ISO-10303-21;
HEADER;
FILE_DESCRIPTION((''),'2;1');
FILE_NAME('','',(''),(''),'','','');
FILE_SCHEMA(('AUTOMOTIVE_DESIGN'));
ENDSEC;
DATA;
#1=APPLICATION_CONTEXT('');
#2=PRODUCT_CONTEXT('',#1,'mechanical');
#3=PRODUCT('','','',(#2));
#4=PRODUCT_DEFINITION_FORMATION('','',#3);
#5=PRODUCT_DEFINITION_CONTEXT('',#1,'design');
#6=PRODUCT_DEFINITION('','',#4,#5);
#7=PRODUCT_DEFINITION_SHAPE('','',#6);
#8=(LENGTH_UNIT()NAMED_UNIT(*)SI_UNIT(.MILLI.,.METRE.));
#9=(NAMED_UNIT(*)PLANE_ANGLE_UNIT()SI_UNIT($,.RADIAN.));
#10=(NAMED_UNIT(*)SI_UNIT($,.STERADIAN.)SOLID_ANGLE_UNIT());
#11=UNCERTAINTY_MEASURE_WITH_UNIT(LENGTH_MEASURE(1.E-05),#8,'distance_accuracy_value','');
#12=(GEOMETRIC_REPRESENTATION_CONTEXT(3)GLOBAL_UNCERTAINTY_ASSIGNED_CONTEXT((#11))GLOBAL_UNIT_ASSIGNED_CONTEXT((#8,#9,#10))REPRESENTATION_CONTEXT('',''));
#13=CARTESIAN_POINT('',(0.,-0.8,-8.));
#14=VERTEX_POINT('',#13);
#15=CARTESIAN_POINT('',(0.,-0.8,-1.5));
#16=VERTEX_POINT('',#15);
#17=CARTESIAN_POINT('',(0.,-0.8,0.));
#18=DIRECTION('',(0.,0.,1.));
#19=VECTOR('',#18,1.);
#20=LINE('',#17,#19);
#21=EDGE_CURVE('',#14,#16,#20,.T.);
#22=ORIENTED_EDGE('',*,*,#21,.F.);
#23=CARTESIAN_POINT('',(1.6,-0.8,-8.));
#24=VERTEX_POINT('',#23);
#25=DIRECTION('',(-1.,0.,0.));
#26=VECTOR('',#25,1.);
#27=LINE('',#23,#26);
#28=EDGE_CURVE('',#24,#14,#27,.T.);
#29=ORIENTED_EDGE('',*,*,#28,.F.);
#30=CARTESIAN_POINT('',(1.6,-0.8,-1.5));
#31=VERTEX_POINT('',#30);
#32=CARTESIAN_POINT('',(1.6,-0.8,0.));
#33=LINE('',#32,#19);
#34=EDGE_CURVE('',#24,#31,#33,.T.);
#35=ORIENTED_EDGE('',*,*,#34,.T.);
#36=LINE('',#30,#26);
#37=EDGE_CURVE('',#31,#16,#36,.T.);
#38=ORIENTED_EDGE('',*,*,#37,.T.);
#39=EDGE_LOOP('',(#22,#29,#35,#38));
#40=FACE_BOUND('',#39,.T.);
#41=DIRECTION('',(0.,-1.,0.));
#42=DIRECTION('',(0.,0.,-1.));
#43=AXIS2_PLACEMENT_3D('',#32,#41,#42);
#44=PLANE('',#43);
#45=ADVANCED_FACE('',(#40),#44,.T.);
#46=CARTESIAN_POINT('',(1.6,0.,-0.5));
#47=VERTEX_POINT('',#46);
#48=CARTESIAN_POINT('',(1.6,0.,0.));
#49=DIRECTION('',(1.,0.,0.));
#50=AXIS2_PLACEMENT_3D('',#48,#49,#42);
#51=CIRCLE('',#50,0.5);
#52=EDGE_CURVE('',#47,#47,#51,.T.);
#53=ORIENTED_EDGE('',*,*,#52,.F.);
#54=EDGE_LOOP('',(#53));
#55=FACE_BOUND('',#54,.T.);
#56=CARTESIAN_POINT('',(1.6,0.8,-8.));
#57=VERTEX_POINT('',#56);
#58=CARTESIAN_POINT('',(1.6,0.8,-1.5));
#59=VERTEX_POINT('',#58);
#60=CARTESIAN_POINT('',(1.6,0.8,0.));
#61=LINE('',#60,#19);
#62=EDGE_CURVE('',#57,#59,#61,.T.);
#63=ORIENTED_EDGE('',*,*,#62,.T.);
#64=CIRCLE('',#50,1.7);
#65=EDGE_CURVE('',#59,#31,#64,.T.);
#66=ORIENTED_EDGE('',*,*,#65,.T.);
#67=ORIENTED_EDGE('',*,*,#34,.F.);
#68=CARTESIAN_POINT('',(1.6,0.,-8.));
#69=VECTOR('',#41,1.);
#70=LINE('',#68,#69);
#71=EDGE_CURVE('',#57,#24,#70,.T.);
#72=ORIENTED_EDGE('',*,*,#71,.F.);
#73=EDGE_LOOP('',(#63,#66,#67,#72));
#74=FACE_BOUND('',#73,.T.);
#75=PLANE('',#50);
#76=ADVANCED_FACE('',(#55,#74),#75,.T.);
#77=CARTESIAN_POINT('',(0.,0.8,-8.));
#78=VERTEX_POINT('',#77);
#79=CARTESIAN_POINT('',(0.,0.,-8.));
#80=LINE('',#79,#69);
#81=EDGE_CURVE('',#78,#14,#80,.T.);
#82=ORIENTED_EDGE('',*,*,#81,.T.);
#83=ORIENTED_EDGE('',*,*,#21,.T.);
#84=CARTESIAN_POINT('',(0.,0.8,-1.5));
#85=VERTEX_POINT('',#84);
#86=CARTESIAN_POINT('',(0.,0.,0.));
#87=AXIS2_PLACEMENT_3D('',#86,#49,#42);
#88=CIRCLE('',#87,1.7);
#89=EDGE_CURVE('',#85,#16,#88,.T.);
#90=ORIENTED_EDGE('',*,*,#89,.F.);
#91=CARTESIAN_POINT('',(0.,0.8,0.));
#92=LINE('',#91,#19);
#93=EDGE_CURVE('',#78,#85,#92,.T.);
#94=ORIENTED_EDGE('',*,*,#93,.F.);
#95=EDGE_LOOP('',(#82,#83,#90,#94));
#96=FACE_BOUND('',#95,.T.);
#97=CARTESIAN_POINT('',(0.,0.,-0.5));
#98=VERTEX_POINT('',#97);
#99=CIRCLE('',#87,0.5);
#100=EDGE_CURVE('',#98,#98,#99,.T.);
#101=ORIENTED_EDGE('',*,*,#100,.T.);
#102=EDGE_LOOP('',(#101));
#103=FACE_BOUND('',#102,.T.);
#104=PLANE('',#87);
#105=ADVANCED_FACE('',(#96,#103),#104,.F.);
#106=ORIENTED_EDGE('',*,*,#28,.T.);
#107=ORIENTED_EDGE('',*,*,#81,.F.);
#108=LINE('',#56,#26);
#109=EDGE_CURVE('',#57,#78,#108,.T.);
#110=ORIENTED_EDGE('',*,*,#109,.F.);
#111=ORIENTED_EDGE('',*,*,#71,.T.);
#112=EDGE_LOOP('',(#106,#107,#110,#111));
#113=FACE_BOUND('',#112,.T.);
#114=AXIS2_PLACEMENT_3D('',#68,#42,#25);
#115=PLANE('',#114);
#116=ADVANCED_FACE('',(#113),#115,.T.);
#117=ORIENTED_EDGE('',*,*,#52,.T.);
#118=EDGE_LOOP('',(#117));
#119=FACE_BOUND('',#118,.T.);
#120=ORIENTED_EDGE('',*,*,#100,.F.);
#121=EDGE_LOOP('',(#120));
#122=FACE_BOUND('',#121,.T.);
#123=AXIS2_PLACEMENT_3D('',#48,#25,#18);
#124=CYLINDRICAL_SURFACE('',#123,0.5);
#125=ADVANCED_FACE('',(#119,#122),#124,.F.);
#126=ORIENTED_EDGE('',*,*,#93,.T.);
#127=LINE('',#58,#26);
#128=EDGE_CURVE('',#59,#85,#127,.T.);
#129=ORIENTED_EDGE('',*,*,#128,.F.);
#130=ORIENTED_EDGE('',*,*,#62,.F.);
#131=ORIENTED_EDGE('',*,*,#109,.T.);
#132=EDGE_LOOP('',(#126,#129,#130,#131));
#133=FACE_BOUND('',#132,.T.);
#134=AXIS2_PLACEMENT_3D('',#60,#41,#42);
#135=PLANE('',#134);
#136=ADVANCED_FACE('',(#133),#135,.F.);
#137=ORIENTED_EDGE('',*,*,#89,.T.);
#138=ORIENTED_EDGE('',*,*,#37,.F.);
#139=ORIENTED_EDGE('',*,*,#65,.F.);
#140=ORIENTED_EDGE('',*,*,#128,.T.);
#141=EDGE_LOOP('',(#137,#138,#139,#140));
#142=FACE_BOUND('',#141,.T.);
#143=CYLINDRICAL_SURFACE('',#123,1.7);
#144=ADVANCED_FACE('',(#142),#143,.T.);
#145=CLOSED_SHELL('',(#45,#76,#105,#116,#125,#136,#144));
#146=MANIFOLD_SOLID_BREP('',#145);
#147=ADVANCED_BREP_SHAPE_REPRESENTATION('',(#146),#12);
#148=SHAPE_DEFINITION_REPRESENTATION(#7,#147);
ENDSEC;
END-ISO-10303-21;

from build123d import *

# Parameters (mm, degrees)
IZIM1_R                     = 0.5
Y_KSEKLIK_EKSTR_ZYON1_DEPTH = 1.6


with BuildPart() as part:
    # Çizim1 → Yükseklik-Ekstrüzyon1 (new body)
    with BuildSketch(Plane(origin=(0, 0, 0), x_dir=(0, 0, -1), z_dir=(1, 0, 0))):
        with BuildLine():
            Line((1.5, -0.8), (8, -0.8))
            Line((8, -0.8), (8, 0.8))
            Line((8, 0.8), (1.5, 0.8))
            ThreePointArc((1.5, 0.8), (-1.7, 0), (1.5, -0.8))
        make_face()
        Circle(IZIM1_R, mode=Mode.SUBTRACT)
    extrude(amount=Y_KSEKLIK_EKSTR_ZYON1_DEPTH)


solid = part.part
